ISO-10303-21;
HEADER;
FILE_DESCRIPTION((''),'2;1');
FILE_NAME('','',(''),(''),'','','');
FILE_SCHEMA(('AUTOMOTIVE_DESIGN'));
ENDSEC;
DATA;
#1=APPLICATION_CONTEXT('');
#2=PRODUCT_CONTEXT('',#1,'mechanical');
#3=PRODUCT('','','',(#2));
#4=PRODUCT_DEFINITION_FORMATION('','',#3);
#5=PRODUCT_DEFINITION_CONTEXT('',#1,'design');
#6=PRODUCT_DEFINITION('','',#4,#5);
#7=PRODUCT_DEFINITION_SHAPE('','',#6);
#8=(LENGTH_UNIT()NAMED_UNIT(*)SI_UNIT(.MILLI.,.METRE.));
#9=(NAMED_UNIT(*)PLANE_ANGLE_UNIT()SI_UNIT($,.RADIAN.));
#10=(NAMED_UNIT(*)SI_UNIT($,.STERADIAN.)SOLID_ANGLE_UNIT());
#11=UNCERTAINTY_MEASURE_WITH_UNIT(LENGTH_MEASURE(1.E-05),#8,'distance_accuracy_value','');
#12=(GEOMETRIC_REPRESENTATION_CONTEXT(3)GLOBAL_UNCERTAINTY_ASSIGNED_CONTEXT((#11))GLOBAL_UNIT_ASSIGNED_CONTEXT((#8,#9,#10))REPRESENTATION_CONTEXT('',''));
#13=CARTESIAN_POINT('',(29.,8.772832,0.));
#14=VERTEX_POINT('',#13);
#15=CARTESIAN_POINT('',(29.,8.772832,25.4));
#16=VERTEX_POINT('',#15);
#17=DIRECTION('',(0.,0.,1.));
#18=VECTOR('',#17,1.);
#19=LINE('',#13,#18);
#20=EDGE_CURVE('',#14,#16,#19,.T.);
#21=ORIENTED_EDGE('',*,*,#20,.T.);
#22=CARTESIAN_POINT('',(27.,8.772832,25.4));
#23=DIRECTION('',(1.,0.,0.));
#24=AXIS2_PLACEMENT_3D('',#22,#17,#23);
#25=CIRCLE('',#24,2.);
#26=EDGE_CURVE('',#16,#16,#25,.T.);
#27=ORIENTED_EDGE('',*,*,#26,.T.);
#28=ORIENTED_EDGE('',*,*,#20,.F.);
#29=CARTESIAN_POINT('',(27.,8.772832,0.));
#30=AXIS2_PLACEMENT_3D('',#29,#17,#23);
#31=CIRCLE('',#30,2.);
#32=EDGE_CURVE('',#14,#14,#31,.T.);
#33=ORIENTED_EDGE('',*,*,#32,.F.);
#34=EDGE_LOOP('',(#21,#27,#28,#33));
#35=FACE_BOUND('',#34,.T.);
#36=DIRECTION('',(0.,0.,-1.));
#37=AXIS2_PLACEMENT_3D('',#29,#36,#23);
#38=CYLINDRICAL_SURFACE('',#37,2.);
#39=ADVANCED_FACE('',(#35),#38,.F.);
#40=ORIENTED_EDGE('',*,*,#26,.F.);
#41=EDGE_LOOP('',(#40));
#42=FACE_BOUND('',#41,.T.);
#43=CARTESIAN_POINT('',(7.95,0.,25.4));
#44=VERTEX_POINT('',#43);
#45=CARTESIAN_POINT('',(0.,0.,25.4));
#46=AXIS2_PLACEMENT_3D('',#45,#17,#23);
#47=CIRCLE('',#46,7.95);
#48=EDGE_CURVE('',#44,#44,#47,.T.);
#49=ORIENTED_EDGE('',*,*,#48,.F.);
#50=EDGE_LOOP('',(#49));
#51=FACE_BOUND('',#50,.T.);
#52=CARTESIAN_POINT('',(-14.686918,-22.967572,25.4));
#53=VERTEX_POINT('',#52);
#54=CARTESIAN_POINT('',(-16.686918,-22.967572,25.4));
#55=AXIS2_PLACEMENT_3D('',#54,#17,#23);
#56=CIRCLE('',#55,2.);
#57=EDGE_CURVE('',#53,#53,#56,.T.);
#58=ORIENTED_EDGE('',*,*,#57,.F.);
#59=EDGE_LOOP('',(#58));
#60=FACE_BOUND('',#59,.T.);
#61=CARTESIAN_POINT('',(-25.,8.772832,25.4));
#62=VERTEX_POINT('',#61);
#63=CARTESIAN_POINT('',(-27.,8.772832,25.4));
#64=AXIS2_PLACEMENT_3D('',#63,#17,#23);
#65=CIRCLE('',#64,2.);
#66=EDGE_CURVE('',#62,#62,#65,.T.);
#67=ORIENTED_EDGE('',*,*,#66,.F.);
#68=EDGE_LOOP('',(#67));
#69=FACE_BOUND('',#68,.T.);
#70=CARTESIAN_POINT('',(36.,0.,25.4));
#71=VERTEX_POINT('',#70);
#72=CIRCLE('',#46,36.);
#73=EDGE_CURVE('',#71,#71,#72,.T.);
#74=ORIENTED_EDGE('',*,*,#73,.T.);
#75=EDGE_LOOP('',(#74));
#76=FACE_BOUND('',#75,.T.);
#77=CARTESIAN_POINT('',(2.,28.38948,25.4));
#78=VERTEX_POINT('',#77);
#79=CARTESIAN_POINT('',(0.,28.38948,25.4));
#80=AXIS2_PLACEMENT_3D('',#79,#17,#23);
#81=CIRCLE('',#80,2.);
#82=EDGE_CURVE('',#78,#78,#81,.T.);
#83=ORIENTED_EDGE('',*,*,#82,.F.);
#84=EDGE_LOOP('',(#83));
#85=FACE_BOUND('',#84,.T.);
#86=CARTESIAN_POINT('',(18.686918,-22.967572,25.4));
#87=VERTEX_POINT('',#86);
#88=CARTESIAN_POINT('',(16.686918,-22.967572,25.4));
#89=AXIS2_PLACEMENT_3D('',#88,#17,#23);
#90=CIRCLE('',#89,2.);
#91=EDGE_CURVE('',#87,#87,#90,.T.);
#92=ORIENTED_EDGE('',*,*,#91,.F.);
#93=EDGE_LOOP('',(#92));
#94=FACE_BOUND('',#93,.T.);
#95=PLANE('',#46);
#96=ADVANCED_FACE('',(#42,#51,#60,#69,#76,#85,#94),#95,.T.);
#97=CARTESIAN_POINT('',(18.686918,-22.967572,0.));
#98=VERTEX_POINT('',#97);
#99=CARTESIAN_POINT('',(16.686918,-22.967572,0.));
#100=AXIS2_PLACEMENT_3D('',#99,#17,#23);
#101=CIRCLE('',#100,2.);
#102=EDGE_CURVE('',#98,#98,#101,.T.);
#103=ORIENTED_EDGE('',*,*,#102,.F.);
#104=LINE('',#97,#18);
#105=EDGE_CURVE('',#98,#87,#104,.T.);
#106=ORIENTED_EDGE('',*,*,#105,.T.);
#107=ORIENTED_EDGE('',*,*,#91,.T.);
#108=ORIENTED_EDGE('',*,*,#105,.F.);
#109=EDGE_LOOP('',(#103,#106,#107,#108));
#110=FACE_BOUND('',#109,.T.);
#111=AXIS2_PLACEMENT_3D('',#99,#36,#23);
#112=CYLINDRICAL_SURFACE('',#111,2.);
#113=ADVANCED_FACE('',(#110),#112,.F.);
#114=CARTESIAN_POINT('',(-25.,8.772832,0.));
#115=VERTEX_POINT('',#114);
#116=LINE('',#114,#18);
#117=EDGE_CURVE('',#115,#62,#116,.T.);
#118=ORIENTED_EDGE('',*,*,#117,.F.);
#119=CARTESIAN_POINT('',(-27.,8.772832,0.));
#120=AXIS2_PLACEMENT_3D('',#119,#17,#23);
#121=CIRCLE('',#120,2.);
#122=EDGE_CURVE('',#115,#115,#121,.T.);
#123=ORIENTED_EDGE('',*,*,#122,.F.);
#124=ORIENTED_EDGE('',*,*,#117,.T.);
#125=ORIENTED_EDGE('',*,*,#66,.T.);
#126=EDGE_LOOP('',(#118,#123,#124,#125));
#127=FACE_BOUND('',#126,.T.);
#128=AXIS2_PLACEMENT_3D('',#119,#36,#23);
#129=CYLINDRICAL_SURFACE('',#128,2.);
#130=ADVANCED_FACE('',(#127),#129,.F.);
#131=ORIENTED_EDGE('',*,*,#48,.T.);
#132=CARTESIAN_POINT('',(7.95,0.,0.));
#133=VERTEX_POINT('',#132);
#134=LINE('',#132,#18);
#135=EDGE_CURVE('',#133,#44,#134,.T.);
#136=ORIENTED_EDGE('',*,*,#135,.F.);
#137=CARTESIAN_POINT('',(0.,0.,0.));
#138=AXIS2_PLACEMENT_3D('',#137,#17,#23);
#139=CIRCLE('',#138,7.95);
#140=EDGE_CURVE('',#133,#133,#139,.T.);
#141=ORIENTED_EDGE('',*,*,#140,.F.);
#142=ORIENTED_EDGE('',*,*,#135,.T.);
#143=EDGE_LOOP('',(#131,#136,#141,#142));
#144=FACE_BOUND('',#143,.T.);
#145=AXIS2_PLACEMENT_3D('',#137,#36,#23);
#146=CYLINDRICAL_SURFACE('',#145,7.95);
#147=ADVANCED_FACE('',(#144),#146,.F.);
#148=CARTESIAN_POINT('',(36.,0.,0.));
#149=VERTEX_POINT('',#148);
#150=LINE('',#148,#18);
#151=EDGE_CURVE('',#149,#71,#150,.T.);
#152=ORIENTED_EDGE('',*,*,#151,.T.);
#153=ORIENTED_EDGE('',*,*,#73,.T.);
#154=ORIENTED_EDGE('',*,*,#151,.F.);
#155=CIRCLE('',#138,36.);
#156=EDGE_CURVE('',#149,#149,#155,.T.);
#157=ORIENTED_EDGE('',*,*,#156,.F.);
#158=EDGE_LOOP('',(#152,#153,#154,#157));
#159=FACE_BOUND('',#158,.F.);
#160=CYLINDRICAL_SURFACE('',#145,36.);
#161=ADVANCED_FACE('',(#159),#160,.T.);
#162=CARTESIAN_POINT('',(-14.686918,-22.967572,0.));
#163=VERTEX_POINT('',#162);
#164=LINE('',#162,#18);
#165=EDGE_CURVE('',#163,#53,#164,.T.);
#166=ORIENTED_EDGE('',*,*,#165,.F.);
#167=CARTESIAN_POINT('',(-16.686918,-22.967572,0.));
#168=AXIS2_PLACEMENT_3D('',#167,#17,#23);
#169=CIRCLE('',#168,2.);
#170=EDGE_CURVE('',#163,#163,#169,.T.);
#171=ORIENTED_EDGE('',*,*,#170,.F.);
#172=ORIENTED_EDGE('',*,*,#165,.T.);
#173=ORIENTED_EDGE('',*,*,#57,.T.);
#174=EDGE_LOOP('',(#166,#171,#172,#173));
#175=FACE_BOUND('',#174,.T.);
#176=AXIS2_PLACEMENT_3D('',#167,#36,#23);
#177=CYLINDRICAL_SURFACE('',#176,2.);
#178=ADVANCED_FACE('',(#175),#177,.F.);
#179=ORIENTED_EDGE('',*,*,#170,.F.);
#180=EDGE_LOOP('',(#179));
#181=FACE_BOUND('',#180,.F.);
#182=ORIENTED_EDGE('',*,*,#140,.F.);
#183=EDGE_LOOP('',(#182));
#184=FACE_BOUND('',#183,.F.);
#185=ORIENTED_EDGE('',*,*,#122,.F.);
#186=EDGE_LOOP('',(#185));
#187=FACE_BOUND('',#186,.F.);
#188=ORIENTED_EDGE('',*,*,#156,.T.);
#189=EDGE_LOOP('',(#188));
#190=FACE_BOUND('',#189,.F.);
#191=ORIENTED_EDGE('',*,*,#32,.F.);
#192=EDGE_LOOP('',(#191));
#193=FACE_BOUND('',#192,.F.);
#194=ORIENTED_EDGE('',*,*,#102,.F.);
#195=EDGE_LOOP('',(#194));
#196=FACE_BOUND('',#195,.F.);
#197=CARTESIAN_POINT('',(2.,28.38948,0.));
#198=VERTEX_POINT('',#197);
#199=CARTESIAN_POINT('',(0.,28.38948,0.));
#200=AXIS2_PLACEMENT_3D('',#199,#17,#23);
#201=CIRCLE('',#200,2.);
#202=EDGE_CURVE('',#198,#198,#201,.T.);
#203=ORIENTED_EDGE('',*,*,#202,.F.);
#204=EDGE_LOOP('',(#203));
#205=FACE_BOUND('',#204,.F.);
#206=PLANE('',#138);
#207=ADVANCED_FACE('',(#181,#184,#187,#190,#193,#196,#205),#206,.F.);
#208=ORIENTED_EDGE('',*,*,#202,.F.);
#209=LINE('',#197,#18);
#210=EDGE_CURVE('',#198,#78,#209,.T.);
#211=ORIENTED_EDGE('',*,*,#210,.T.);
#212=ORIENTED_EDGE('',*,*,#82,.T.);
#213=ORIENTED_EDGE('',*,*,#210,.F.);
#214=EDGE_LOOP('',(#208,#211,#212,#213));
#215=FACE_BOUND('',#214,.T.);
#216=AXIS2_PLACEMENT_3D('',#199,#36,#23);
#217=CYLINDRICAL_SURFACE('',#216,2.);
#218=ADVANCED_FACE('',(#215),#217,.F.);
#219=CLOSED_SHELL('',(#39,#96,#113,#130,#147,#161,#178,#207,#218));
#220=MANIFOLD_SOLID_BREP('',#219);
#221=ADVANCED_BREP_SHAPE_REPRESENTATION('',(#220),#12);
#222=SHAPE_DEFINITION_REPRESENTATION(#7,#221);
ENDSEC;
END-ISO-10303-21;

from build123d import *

# Parameters (mm, degrees)
F0_R     = 36
F0_R_2   = 2
F0_R_3   = 7.95
F1_DEPTH = 25.4


with BuildPart() as f1:
    # F0 (on Top) → F1 (new body)
    with BuildSketch(Plane.XY):
        Circle(F0_R)
        with Locations((-16.686918, -22.967572)):
            Circle(F0_R_2, mode=Mode.SUBTRACT)
        with Locations((16.686918, -22.967572)):
            Circle(F0_R_2, mode=Mode.SUBTRACT)
        with Locations((-27, 8.772832)):
            Circle(F0_R_2, mode=Mode.SUBTRACT)
        Circle(F0_R_3, mode=Mode.SUBTRACT)
        with Locations((27, 8.772832)):
            Circle(F0_R_2, mode=Mode.SUBTRACT)
        with Locations((0, 28.38948)):
            Circle(F0_R_2, mode=Mode.SUBTRACT)
    extrude(amount=F1_DEPTH)


solid = f1.part
